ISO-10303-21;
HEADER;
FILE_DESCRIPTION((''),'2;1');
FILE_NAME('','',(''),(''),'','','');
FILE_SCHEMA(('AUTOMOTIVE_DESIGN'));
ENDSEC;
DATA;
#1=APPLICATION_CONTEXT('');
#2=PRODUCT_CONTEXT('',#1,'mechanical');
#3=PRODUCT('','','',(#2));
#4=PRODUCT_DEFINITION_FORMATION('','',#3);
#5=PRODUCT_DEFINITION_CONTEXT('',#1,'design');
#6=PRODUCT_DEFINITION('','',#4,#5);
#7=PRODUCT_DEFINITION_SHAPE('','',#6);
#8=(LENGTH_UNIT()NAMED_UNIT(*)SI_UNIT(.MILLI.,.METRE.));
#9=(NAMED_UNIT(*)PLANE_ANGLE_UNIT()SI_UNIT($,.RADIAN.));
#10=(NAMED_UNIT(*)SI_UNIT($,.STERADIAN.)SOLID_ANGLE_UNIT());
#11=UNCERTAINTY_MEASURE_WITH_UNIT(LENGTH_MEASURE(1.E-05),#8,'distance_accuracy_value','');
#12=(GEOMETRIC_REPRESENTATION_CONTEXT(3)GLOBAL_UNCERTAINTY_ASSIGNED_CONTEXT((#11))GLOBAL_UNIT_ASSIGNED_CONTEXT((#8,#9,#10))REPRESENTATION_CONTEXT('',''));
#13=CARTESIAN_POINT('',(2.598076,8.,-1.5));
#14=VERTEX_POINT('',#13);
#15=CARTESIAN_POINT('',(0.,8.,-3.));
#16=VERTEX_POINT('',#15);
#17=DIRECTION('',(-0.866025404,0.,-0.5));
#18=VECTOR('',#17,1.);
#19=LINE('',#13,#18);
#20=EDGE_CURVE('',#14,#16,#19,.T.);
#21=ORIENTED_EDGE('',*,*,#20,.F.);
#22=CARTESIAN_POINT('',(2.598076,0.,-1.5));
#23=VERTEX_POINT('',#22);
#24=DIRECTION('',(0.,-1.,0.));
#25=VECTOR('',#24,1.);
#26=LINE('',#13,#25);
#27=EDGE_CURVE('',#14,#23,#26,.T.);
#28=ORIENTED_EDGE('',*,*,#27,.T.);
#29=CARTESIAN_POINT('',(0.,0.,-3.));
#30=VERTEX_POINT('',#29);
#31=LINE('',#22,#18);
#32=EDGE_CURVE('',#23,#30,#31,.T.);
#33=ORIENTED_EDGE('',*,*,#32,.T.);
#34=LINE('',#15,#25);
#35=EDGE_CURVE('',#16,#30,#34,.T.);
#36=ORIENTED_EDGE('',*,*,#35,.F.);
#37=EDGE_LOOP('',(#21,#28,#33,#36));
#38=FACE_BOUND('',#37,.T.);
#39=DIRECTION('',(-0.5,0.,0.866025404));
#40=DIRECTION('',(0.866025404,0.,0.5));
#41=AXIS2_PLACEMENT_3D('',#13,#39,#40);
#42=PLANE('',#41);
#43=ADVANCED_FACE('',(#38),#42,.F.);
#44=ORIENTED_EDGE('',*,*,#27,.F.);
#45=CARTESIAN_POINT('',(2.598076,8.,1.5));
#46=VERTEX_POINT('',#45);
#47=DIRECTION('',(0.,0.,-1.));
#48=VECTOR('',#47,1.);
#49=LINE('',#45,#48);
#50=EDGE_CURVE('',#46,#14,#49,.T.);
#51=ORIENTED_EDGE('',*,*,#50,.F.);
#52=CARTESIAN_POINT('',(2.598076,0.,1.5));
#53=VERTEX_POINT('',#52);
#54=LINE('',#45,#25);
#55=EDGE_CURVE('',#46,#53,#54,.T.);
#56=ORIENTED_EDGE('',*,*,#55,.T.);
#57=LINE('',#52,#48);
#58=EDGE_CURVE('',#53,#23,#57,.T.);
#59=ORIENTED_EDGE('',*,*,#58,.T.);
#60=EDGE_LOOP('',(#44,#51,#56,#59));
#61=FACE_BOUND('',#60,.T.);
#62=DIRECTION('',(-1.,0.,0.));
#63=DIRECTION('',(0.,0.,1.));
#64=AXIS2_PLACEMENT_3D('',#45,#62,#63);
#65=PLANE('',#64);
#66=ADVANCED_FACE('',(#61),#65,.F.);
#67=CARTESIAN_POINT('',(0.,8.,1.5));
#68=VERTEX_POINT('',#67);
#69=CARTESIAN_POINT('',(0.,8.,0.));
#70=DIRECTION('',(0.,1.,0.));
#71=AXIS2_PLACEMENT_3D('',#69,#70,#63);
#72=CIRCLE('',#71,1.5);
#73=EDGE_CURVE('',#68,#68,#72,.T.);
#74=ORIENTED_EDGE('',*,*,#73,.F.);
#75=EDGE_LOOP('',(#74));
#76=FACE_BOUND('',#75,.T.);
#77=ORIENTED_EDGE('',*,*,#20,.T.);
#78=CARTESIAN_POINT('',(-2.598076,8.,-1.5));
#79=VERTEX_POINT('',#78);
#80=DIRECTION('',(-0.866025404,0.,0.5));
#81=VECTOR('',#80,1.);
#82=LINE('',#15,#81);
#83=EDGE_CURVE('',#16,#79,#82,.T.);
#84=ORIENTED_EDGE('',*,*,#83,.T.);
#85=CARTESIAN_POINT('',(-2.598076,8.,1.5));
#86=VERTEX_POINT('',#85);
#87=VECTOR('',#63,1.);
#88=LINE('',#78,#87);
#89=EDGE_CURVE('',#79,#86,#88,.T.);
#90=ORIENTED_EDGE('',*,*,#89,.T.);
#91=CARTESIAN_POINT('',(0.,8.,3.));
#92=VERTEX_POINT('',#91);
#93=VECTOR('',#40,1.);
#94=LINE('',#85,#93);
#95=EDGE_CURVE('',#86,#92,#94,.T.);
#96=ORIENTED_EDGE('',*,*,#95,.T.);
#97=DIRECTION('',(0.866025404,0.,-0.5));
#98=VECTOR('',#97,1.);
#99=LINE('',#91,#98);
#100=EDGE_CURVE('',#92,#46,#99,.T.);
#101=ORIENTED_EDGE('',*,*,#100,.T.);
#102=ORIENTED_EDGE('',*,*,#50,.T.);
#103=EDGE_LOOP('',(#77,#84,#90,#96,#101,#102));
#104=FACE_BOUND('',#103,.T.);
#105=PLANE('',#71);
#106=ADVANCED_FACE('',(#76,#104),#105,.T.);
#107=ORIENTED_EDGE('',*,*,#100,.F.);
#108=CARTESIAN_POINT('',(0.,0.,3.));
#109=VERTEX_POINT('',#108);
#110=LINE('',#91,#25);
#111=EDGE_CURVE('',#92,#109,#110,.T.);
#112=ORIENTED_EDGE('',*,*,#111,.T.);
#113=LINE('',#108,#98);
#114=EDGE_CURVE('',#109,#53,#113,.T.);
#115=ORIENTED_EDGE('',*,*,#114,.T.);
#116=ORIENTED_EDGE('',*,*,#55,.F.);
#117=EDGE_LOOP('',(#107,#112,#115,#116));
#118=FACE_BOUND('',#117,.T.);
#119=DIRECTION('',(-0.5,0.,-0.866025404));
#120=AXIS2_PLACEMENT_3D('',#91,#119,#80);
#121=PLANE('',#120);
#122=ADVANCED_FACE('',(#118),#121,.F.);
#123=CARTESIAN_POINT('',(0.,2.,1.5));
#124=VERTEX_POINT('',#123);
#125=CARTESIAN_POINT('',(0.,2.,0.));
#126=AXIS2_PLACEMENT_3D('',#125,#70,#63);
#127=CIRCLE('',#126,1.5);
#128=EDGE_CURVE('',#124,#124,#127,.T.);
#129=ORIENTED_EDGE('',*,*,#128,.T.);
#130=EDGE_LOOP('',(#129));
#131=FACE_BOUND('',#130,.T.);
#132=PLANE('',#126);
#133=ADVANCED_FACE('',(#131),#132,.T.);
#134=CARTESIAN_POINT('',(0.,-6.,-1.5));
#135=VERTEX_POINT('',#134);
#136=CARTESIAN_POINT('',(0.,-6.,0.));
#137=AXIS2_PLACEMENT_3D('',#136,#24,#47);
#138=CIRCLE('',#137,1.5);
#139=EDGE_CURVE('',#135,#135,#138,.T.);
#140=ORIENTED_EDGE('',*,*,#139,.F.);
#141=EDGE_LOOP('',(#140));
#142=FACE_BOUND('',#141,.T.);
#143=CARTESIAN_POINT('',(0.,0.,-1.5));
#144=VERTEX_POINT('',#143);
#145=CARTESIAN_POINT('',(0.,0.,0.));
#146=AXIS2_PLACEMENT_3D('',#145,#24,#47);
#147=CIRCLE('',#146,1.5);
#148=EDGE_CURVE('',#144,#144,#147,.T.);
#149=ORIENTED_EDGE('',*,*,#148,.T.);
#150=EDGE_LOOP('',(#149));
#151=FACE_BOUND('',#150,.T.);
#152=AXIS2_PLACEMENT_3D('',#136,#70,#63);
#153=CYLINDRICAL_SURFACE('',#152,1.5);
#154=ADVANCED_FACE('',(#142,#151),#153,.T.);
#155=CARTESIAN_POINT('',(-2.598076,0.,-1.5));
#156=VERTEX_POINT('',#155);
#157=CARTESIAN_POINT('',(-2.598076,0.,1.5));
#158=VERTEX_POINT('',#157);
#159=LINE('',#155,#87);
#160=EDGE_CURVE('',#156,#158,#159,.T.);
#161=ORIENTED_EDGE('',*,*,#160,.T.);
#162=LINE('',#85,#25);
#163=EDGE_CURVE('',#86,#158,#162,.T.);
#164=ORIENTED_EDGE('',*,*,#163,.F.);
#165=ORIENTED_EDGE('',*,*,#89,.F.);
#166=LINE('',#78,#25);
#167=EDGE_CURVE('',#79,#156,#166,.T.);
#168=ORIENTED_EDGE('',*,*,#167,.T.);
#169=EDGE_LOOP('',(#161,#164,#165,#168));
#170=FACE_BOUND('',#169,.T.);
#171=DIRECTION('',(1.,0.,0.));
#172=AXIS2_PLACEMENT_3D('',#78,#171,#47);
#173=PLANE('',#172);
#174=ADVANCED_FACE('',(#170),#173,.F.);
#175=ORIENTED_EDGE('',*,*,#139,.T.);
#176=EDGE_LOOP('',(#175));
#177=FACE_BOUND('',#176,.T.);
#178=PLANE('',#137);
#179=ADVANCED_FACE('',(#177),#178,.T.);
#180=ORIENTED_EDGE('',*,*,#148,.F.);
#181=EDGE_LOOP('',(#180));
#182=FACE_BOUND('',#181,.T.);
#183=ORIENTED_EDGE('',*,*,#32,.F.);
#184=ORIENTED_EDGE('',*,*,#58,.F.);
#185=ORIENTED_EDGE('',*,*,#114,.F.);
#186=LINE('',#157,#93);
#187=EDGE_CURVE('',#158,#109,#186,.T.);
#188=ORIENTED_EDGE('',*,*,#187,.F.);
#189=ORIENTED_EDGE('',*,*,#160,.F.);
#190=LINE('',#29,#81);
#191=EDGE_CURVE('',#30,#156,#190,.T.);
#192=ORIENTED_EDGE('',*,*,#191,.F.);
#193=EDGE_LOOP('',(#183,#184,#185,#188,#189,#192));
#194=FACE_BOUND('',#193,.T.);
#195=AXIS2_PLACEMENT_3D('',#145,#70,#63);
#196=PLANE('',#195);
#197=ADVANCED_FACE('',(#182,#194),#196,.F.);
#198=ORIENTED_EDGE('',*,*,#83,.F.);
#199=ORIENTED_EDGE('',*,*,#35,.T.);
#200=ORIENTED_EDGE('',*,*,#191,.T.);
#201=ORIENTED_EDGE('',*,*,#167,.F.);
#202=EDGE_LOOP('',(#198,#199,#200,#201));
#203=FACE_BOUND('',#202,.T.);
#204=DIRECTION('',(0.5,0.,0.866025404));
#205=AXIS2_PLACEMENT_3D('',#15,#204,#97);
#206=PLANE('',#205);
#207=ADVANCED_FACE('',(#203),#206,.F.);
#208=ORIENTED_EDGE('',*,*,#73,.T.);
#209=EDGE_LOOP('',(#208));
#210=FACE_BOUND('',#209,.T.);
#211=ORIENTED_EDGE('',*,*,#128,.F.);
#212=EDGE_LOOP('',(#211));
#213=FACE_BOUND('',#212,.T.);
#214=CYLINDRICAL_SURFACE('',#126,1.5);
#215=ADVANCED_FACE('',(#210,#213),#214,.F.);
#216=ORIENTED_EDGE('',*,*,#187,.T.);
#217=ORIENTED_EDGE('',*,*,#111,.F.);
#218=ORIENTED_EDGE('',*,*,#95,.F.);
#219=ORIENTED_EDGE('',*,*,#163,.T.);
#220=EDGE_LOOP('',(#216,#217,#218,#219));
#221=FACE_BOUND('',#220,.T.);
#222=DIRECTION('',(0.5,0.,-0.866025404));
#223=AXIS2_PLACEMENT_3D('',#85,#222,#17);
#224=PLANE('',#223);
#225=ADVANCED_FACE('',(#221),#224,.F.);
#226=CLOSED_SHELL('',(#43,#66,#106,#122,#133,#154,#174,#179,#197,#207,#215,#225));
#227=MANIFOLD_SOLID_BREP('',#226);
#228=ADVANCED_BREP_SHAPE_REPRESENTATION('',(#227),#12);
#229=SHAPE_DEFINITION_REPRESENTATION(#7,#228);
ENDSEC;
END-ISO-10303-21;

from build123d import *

# Parameters (mm, degrees)
SALIENTE_EXTRUIR1_DEPTH = 8
CROQUIS2_R              = 1.5
SALIENTE_EXTRUIR2_DEPTH = 6
CROQUIS3_R              = 1.5
CORTAR_EXTRUIR1_DEPTH   = 6


with BuildPart() as part:
    # Croquis1 → Saliente-Extruir1 (new body)
    with BuildSketch(Plane(origin=(0, 0, 0), x_dir=(1, 0, 0), z_dir=(0, 1, 0))):
        Polygon((-2.598076211, 1.5), (-2.598076211, -1.5), (0, -3), (2.598076211, -1.5), (2.598076211, 1.5), (0, 3), align=None)
    extrude(amount=SALIENTE_EXTRUIR1_DEPTH)

    # Croquis2 → Saliente-Extruir2 (add)
    with BuildSketch(Plane.XZ):
        with Locations(Location((0, 0, 0), (0, 0, 270))):
            Circle(CROQUIS2_R)
    extrude(amount=SALIENTE_EXTRUIR2_DEPTH)

    # Croquis3 → Cortar-Extruir1 (cut)
    with BuildSketch(Plane(origin=(0, 8, 0), x_dir=(1, 0, 0), z_dir=(0, 1, 0))):
        with Locations(Location((0, 0, 0), (0, 0, 90))):
            Circle(CROQUIS3_R)
    extrude(amount=-CORTAR_EXTRUIR1_DEPTH, mode=Mode.SUBTRACT)


solid = part.part
